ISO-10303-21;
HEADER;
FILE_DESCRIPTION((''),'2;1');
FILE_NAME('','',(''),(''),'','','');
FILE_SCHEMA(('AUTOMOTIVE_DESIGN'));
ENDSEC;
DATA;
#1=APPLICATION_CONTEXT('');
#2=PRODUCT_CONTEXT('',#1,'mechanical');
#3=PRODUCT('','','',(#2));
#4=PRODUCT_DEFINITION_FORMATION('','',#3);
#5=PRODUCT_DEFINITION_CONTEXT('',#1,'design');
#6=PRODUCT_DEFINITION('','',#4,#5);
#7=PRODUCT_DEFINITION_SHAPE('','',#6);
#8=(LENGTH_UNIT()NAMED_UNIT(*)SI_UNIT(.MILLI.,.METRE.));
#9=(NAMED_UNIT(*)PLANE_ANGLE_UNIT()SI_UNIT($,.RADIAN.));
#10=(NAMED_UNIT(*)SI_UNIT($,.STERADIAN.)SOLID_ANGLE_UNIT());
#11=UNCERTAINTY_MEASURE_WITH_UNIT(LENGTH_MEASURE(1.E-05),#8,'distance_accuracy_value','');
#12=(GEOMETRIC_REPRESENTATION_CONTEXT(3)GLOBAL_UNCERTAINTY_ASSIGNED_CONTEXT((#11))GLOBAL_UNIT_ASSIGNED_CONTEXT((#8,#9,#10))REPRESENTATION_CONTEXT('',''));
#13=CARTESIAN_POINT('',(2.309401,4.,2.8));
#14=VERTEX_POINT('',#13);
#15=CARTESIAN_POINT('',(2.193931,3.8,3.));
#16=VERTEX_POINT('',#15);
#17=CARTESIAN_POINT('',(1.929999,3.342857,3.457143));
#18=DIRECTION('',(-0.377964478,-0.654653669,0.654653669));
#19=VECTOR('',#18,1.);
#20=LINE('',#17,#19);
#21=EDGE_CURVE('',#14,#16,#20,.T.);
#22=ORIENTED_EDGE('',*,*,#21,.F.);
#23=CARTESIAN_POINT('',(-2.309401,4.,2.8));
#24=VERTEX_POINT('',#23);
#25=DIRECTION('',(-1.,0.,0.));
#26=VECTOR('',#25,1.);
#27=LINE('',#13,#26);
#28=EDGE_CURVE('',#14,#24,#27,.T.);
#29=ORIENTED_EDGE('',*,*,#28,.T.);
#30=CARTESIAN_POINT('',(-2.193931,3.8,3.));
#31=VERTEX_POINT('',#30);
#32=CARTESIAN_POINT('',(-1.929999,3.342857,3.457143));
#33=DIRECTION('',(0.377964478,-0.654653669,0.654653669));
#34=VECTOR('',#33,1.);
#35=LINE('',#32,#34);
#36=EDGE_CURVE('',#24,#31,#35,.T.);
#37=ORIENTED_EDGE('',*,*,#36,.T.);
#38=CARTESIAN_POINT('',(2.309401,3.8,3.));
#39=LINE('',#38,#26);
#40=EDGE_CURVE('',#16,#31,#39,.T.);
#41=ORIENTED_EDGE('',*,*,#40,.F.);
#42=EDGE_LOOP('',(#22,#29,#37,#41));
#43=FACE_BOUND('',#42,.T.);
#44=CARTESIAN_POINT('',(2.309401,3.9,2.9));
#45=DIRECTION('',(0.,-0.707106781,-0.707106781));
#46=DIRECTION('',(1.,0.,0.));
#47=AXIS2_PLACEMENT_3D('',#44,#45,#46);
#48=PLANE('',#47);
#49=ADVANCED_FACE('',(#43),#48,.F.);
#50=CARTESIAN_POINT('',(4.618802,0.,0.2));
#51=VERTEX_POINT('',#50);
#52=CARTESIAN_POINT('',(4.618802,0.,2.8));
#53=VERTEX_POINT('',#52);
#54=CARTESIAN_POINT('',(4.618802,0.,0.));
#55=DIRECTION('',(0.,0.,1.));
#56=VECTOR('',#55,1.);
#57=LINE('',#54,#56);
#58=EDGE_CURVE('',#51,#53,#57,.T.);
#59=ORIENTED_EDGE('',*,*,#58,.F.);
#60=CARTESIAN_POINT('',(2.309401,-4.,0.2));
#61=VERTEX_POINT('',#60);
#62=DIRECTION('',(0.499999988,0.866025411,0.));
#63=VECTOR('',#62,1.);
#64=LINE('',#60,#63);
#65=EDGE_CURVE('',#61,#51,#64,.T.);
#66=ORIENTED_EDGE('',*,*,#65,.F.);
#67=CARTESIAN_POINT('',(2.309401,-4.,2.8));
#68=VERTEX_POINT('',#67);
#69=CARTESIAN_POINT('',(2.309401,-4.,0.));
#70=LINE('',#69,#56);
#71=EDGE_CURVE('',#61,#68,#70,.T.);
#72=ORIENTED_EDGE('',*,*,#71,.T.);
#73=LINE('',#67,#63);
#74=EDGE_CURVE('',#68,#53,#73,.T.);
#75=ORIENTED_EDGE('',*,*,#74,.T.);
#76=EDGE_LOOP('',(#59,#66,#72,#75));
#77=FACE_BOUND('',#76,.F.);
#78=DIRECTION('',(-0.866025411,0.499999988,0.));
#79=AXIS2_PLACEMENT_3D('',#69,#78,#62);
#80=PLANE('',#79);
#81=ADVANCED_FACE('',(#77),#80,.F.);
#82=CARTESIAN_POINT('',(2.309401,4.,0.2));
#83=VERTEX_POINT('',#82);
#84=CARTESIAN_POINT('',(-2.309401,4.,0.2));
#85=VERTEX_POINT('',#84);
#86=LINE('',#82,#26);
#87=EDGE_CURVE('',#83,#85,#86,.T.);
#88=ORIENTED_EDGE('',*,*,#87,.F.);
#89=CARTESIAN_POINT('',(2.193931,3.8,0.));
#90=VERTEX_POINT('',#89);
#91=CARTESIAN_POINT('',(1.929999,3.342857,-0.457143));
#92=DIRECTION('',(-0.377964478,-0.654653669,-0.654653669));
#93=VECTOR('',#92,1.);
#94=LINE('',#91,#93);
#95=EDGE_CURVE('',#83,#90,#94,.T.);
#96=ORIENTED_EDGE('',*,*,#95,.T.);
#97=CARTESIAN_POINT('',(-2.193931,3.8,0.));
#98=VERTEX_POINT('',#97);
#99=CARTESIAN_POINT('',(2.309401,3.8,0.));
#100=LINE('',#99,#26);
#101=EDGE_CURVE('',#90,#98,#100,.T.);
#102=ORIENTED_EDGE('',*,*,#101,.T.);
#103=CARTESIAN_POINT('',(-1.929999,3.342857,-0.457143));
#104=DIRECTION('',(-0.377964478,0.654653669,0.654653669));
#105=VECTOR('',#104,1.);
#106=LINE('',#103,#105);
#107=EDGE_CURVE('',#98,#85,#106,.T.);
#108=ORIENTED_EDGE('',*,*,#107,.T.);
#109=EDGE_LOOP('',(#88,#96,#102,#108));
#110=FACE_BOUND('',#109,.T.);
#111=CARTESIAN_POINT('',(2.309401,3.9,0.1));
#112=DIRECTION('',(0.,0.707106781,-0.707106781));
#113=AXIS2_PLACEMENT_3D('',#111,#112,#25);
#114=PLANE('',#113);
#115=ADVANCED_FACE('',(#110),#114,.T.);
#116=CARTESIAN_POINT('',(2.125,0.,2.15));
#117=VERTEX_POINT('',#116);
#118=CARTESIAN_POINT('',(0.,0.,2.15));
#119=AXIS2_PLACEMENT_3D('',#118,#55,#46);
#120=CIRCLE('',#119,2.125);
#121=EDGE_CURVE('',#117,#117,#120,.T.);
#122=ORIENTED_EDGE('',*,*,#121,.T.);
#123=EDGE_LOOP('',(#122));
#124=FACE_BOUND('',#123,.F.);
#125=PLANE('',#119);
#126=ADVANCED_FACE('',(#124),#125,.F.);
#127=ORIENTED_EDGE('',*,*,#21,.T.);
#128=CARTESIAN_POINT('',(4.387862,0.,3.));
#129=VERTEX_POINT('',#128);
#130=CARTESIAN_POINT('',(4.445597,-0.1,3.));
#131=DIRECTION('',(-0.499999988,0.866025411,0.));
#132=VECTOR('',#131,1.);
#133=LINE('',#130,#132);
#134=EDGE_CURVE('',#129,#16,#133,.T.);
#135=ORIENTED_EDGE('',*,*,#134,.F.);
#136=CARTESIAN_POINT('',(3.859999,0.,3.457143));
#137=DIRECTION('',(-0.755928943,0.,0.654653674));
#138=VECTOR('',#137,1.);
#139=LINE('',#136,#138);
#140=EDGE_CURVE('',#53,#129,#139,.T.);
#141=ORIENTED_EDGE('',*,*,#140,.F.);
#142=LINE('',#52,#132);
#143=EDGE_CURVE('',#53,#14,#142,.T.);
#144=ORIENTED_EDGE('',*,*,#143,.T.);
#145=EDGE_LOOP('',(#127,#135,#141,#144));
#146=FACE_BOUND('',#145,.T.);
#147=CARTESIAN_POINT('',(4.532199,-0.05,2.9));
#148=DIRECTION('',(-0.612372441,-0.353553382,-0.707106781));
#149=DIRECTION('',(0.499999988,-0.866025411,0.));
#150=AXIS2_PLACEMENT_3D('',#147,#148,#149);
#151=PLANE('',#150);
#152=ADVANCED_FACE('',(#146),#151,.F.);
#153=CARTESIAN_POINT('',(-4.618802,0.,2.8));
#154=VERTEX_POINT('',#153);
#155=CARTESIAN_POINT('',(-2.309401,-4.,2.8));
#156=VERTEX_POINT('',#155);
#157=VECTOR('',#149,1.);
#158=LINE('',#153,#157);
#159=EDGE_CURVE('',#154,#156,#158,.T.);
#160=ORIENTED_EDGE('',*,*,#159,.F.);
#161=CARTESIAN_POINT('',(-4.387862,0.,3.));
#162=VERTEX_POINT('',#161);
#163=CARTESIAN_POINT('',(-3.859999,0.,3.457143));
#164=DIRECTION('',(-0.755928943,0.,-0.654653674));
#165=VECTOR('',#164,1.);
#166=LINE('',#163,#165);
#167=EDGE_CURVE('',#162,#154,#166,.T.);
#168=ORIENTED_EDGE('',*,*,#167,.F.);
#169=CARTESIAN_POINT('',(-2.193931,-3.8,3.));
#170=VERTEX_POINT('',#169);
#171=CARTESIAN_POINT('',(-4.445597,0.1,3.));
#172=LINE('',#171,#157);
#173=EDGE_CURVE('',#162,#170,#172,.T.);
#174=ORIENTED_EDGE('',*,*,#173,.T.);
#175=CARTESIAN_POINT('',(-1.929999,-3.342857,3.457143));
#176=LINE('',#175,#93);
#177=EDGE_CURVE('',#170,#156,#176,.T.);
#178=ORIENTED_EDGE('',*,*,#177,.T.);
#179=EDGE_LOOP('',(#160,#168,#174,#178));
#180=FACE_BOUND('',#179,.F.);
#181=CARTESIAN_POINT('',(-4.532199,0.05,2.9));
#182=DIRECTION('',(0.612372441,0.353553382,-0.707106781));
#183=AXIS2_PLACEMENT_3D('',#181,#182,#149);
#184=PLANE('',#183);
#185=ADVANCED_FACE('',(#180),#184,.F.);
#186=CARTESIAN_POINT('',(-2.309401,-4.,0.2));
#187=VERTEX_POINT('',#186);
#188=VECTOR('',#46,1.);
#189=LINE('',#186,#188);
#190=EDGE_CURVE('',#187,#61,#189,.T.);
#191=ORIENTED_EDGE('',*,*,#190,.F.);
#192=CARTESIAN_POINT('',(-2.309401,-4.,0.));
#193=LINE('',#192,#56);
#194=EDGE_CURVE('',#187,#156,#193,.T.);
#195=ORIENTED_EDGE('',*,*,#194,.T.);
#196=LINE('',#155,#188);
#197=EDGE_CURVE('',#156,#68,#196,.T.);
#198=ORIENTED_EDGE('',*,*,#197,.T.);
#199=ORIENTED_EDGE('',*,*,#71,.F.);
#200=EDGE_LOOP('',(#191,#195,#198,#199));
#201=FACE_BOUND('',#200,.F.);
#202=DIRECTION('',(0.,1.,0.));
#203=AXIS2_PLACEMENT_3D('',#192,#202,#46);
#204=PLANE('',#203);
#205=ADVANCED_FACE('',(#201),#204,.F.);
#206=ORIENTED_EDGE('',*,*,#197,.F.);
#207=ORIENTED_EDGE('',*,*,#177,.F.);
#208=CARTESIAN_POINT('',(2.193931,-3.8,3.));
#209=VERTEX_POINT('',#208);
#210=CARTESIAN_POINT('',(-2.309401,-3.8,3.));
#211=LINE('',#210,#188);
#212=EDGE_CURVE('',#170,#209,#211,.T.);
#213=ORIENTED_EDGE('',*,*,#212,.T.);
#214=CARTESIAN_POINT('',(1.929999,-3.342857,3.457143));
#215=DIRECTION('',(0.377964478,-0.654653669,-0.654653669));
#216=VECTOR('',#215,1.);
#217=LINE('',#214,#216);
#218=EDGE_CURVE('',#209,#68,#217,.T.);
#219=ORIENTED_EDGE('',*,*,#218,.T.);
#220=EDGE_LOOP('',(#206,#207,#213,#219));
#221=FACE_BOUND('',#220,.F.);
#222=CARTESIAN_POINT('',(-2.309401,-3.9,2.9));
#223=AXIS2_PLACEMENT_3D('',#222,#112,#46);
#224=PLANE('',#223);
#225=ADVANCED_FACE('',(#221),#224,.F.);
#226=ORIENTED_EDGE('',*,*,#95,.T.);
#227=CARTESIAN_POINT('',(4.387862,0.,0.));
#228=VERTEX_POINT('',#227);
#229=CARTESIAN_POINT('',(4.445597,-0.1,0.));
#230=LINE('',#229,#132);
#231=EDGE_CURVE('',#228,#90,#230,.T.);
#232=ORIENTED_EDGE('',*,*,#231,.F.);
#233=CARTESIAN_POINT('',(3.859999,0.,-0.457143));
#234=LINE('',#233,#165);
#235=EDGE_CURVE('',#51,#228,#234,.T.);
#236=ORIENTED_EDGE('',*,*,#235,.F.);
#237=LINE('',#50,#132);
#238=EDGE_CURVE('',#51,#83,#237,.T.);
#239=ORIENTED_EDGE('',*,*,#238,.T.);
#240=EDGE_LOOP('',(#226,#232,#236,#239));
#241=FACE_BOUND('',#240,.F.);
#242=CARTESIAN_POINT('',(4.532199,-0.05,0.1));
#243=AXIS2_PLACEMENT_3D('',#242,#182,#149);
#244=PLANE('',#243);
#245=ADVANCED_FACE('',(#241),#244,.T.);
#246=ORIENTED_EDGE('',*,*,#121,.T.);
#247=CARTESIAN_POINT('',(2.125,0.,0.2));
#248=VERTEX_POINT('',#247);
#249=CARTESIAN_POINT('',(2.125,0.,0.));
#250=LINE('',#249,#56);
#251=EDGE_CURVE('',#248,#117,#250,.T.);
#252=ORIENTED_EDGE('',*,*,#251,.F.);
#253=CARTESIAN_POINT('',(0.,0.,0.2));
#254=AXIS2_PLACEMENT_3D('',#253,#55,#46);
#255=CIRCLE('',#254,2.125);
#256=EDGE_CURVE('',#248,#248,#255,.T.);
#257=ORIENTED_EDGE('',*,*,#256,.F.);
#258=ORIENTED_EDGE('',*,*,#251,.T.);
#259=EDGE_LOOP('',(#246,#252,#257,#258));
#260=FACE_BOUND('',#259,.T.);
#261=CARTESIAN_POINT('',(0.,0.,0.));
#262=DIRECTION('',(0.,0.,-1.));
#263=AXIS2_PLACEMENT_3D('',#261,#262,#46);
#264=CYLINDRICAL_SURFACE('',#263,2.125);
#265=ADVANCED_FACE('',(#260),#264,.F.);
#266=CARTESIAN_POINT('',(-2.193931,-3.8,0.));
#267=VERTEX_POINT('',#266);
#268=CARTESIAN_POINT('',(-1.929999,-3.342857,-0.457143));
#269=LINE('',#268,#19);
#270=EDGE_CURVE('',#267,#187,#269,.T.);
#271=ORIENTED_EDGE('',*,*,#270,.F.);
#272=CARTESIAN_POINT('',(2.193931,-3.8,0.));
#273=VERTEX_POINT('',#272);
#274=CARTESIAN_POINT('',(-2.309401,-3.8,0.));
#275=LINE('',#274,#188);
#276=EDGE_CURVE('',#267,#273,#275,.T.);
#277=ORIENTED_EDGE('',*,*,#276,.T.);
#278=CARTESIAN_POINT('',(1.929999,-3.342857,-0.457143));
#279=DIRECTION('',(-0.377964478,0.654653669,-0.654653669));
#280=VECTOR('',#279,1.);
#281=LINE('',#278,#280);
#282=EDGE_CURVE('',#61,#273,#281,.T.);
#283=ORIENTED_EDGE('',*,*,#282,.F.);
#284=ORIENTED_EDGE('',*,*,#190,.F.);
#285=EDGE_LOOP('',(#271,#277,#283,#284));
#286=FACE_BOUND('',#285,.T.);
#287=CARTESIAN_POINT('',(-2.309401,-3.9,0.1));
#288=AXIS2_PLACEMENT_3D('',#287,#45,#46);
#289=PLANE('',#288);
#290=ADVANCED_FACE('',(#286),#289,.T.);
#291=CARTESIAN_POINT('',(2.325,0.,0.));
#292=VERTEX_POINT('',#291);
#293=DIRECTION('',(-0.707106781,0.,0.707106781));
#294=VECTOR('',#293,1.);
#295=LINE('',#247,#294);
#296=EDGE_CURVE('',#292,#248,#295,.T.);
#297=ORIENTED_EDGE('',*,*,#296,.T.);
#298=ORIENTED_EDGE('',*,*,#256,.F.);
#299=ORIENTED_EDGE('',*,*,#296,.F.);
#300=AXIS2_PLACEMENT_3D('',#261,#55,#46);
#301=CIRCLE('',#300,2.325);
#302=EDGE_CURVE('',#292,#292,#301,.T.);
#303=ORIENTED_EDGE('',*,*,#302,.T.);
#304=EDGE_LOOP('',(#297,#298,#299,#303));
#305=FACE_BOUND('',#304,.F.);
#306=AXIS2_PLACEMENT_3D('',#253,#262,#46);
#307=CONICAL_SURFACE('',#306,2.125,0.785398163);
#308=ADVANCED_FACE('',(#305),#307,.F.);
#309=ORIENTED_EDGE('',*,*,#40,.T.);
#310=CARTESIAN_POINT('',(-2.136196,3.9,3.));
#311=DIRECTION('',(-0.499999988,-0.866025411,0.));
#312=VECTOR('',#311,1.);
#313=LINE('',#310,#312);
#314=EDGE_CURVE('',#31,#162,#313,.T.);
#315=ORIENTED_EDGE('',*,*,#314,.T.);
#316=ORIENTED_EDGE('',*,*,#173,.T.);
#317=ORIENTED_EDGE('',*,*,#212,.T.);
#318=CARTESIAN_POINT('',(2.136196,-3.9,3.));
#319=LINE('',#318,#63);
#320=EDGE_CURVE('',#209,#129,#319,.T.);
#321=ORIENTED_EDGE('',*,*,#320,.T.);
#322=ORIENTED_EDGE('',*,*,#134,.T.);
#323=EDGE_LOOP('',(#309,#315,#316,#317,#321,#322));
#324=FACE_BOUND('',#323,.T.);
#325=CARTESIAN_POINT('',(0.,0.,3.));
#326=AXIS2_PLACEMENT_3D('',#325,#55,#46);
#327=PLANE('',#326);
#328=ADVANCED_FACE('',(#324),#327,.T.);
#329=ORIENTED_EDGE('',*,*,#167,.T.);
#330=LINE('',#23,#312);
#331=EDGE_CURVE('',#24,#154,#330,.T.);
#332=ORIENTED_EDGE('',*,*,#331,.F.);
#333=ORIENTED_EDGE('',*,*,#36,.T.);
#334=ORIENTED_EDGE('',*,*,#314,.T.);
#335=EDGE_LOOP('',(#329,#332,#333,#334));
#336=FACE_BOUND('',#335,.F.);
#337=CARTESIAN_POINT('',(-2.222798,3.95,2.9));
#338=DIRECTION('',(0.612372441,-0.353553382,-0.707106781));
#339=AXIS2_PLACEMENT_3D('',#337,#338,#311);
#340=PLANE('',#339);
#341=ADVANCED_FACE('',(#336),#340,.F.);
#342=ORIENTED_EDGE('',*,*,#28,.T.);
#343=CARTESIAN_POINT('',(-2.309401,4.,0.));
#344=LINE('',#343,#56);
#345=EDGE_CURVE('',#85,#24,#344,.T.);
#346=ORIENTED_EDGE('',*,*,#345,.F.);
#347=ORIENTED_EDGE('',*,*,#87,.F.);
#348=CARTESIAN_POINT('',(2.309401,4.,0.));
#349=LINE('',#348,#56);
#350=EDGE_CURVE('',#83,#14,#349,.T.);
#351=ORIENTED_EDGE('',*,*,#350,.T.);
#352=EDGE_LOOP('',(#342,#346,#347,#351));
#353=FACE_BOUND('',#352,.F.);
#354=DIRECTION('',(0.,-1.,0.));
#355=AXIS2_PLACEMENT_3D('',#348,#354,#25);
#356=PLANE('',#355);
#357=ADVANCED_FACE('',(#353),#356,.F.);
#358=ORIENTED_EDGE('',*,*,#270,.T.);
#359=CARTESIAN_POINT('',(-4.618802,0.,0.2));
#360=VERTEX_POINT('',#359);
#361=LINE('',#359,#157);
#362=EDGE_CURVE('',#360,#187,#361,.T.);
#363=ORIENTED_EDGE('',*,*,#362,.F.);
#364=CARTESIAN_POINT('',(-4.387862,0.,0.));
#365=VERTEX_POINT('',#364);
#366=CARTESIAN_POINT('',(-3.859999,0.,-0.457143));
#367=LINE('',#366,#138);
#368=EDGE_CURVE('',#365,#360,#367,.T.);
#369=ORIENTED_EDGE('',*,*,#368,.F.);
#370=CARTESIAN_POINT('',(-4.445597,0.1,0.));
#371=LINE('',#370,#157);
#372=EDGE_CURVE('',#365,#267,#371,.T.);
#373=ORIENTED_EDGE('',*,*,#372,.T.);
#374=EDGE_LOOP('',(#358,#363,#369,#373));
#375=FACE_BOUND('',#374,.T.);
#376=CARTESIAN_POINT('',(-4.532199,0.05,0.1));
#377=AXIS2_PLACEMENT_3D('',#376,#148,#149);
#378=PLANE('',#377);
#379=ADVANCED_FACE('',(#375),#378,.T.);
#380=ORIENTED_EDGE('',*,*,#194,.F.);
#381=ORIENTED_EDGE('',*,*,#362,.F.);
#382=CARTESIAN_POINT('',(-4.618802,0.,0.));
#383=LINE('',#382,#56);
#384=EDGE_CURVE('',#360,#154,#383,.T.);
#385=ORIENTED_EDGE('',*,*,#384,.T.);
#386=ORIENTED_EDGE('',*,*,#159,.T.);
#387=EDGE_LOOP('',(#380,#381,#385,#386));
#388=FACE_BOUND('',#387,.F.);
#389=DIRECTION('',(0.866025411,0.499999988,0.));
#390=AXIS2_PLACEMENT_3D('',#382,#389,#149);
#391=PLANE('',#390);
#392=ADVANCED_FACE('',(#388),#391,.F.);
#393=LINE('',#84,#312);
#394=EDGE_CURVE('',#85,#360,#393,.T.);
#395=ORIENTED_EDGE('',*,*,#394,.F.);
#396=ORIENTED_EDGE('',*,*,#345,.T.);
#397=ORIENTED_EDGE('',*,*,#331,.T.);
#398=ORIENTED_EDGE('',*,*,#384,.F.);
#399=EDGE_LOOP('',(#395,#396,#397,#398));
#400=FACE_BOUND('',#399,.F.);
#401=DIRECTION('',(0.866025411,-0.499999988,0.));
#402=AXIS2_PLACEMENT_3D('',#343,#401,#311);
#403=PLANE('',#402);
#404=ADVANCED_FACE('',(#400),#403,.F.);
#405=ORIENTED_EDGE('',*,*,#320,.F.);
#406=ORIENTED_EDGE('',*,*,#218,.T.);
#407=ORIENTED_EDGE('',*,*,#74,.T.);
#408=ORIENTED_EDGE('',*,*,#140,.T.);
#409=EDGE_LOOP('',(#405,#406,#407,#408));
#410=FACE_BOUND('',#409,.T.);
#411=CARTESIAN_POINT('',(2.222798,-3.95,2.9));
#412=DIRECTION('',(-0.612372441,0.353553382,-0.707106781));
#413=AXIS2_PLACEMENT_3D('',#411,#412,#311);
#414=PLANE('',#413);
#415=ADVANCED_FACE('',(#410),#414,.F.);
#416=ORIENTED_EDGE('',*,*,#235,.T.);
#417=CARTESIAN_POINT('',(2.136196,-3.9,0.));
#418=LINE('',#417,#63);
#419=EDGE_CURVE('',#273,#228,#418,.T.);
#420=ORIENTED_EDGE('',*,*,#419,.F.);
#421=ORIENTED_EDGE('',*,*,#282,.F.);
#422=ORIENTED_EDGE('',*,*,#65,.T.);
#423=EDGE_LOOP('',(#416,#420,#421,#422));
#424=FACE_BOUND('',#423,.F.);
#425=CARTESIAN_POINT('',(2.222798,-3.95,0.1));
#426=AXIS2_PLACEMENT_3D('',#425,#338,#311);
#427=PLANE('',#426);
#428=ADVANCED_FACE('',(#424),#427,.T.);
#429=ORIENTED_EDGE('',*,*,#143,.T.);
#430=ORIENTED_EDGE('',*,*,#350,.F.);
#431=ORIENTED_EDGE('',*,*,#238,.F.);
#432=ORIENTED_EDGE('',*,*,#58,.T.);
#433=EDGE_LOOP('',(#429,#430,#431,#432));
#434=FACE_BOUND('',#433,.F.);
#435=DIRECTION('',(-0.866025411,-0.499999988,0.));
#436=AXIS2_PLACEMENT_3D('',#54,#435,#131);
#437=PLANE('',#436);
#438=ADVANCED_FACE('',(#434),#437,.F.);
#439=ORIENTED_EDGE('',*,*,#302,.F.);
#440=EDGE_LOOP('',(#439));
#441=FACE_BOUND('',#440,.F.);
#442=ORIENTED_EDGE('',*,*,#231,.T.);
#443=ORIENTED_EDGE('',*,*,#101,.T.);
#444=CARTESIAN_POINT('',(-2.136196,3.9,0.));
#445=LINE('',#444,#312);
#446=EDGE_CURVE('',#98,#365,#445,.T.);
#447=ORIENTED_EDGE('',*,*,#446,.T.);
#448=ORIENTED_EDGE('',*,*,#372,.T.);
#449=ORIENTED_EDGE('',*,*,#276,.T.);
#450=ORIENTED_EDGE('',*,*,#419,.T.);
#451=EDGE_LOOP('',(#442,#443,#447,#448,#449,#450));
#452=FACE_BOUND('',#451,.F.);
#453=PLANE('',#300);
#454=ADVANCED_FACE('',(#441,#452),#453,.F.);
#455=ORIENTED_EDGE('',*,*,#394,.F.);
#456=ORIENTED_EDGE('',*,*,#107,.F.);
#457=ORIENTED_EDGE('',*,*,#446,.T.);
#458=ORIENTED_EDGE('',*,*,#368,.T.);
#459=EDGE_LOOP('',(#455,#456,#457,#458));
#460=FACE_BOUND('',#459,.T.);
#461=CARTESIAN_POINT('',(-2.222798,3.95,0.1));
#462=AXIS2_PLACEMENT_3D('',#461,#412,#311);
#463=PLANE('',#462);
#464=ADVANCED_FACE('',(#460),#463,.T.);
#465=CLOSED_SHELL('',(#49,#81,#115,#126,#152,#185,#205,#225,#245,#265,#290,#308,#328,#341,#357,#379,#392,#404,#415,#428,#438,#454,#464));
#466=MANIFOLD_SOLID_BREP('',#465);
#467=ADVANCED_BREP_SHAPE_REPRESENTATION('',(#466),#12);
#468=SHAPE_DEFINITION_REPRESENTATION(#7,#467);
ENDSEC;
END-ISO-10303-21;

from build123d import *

# Parameters (mm, degrees)
PAD_DEPTH       = 3
SKETCH001_R     = 2.125
POCKET_DEPTH    = 2.15
CHAMFER_SIZE    = 0.2
CHAMFER001_SIZE = 0.2


with BuildPart() as part:
    # Sketch → Pad (new body)
    with BuildSketch(Plane.XY):
        Polygon((4.618802, 0), (2.309401, 4), (-2.309401, 4), (-4.618802, 0), (-2.309401, -4), (2.309401, -4), align=None)
    extrude(amount=PAD_DEPTH)

    # Sketch001 → Pocket (cut)
    with BuildSketch(Plane.XY):
        Circle(SKETCH001_R)
    extrude(amount=POCKET_DEPTH, mode=Mode.SUBTRACT)

    # Chamfer
    chamfer_edges = [part.edges().sort_by_distance(p)[0] for p in [
        (3.464102, 2, 3),
        (0, 4, 3),
        (-3.464102, 2, 3),
        (-3.464102, -2, 3),
        (0, -4, 3),
        (3.464102, -2, 3),
    ]]
    chamfer(chamfer_edges, length=CHAMFER_SIZE)

    # Chamfer001
    chamfer001_edges = [part.edges().sort_by_distance(p)[0] for p in [
        (3.464102, 2, 0),
        (3.464102, -2, 0),
        (0, 4, 0),
        (0, -4, 0),
        (-3.464102, 2, 0),
        (-3.464102, -2, 0),
        (-2.125, 0, 0),
    ]]
    chamfer(chamfer001_edges, length=CHAMFER001_SIZE)


solid = part.part
